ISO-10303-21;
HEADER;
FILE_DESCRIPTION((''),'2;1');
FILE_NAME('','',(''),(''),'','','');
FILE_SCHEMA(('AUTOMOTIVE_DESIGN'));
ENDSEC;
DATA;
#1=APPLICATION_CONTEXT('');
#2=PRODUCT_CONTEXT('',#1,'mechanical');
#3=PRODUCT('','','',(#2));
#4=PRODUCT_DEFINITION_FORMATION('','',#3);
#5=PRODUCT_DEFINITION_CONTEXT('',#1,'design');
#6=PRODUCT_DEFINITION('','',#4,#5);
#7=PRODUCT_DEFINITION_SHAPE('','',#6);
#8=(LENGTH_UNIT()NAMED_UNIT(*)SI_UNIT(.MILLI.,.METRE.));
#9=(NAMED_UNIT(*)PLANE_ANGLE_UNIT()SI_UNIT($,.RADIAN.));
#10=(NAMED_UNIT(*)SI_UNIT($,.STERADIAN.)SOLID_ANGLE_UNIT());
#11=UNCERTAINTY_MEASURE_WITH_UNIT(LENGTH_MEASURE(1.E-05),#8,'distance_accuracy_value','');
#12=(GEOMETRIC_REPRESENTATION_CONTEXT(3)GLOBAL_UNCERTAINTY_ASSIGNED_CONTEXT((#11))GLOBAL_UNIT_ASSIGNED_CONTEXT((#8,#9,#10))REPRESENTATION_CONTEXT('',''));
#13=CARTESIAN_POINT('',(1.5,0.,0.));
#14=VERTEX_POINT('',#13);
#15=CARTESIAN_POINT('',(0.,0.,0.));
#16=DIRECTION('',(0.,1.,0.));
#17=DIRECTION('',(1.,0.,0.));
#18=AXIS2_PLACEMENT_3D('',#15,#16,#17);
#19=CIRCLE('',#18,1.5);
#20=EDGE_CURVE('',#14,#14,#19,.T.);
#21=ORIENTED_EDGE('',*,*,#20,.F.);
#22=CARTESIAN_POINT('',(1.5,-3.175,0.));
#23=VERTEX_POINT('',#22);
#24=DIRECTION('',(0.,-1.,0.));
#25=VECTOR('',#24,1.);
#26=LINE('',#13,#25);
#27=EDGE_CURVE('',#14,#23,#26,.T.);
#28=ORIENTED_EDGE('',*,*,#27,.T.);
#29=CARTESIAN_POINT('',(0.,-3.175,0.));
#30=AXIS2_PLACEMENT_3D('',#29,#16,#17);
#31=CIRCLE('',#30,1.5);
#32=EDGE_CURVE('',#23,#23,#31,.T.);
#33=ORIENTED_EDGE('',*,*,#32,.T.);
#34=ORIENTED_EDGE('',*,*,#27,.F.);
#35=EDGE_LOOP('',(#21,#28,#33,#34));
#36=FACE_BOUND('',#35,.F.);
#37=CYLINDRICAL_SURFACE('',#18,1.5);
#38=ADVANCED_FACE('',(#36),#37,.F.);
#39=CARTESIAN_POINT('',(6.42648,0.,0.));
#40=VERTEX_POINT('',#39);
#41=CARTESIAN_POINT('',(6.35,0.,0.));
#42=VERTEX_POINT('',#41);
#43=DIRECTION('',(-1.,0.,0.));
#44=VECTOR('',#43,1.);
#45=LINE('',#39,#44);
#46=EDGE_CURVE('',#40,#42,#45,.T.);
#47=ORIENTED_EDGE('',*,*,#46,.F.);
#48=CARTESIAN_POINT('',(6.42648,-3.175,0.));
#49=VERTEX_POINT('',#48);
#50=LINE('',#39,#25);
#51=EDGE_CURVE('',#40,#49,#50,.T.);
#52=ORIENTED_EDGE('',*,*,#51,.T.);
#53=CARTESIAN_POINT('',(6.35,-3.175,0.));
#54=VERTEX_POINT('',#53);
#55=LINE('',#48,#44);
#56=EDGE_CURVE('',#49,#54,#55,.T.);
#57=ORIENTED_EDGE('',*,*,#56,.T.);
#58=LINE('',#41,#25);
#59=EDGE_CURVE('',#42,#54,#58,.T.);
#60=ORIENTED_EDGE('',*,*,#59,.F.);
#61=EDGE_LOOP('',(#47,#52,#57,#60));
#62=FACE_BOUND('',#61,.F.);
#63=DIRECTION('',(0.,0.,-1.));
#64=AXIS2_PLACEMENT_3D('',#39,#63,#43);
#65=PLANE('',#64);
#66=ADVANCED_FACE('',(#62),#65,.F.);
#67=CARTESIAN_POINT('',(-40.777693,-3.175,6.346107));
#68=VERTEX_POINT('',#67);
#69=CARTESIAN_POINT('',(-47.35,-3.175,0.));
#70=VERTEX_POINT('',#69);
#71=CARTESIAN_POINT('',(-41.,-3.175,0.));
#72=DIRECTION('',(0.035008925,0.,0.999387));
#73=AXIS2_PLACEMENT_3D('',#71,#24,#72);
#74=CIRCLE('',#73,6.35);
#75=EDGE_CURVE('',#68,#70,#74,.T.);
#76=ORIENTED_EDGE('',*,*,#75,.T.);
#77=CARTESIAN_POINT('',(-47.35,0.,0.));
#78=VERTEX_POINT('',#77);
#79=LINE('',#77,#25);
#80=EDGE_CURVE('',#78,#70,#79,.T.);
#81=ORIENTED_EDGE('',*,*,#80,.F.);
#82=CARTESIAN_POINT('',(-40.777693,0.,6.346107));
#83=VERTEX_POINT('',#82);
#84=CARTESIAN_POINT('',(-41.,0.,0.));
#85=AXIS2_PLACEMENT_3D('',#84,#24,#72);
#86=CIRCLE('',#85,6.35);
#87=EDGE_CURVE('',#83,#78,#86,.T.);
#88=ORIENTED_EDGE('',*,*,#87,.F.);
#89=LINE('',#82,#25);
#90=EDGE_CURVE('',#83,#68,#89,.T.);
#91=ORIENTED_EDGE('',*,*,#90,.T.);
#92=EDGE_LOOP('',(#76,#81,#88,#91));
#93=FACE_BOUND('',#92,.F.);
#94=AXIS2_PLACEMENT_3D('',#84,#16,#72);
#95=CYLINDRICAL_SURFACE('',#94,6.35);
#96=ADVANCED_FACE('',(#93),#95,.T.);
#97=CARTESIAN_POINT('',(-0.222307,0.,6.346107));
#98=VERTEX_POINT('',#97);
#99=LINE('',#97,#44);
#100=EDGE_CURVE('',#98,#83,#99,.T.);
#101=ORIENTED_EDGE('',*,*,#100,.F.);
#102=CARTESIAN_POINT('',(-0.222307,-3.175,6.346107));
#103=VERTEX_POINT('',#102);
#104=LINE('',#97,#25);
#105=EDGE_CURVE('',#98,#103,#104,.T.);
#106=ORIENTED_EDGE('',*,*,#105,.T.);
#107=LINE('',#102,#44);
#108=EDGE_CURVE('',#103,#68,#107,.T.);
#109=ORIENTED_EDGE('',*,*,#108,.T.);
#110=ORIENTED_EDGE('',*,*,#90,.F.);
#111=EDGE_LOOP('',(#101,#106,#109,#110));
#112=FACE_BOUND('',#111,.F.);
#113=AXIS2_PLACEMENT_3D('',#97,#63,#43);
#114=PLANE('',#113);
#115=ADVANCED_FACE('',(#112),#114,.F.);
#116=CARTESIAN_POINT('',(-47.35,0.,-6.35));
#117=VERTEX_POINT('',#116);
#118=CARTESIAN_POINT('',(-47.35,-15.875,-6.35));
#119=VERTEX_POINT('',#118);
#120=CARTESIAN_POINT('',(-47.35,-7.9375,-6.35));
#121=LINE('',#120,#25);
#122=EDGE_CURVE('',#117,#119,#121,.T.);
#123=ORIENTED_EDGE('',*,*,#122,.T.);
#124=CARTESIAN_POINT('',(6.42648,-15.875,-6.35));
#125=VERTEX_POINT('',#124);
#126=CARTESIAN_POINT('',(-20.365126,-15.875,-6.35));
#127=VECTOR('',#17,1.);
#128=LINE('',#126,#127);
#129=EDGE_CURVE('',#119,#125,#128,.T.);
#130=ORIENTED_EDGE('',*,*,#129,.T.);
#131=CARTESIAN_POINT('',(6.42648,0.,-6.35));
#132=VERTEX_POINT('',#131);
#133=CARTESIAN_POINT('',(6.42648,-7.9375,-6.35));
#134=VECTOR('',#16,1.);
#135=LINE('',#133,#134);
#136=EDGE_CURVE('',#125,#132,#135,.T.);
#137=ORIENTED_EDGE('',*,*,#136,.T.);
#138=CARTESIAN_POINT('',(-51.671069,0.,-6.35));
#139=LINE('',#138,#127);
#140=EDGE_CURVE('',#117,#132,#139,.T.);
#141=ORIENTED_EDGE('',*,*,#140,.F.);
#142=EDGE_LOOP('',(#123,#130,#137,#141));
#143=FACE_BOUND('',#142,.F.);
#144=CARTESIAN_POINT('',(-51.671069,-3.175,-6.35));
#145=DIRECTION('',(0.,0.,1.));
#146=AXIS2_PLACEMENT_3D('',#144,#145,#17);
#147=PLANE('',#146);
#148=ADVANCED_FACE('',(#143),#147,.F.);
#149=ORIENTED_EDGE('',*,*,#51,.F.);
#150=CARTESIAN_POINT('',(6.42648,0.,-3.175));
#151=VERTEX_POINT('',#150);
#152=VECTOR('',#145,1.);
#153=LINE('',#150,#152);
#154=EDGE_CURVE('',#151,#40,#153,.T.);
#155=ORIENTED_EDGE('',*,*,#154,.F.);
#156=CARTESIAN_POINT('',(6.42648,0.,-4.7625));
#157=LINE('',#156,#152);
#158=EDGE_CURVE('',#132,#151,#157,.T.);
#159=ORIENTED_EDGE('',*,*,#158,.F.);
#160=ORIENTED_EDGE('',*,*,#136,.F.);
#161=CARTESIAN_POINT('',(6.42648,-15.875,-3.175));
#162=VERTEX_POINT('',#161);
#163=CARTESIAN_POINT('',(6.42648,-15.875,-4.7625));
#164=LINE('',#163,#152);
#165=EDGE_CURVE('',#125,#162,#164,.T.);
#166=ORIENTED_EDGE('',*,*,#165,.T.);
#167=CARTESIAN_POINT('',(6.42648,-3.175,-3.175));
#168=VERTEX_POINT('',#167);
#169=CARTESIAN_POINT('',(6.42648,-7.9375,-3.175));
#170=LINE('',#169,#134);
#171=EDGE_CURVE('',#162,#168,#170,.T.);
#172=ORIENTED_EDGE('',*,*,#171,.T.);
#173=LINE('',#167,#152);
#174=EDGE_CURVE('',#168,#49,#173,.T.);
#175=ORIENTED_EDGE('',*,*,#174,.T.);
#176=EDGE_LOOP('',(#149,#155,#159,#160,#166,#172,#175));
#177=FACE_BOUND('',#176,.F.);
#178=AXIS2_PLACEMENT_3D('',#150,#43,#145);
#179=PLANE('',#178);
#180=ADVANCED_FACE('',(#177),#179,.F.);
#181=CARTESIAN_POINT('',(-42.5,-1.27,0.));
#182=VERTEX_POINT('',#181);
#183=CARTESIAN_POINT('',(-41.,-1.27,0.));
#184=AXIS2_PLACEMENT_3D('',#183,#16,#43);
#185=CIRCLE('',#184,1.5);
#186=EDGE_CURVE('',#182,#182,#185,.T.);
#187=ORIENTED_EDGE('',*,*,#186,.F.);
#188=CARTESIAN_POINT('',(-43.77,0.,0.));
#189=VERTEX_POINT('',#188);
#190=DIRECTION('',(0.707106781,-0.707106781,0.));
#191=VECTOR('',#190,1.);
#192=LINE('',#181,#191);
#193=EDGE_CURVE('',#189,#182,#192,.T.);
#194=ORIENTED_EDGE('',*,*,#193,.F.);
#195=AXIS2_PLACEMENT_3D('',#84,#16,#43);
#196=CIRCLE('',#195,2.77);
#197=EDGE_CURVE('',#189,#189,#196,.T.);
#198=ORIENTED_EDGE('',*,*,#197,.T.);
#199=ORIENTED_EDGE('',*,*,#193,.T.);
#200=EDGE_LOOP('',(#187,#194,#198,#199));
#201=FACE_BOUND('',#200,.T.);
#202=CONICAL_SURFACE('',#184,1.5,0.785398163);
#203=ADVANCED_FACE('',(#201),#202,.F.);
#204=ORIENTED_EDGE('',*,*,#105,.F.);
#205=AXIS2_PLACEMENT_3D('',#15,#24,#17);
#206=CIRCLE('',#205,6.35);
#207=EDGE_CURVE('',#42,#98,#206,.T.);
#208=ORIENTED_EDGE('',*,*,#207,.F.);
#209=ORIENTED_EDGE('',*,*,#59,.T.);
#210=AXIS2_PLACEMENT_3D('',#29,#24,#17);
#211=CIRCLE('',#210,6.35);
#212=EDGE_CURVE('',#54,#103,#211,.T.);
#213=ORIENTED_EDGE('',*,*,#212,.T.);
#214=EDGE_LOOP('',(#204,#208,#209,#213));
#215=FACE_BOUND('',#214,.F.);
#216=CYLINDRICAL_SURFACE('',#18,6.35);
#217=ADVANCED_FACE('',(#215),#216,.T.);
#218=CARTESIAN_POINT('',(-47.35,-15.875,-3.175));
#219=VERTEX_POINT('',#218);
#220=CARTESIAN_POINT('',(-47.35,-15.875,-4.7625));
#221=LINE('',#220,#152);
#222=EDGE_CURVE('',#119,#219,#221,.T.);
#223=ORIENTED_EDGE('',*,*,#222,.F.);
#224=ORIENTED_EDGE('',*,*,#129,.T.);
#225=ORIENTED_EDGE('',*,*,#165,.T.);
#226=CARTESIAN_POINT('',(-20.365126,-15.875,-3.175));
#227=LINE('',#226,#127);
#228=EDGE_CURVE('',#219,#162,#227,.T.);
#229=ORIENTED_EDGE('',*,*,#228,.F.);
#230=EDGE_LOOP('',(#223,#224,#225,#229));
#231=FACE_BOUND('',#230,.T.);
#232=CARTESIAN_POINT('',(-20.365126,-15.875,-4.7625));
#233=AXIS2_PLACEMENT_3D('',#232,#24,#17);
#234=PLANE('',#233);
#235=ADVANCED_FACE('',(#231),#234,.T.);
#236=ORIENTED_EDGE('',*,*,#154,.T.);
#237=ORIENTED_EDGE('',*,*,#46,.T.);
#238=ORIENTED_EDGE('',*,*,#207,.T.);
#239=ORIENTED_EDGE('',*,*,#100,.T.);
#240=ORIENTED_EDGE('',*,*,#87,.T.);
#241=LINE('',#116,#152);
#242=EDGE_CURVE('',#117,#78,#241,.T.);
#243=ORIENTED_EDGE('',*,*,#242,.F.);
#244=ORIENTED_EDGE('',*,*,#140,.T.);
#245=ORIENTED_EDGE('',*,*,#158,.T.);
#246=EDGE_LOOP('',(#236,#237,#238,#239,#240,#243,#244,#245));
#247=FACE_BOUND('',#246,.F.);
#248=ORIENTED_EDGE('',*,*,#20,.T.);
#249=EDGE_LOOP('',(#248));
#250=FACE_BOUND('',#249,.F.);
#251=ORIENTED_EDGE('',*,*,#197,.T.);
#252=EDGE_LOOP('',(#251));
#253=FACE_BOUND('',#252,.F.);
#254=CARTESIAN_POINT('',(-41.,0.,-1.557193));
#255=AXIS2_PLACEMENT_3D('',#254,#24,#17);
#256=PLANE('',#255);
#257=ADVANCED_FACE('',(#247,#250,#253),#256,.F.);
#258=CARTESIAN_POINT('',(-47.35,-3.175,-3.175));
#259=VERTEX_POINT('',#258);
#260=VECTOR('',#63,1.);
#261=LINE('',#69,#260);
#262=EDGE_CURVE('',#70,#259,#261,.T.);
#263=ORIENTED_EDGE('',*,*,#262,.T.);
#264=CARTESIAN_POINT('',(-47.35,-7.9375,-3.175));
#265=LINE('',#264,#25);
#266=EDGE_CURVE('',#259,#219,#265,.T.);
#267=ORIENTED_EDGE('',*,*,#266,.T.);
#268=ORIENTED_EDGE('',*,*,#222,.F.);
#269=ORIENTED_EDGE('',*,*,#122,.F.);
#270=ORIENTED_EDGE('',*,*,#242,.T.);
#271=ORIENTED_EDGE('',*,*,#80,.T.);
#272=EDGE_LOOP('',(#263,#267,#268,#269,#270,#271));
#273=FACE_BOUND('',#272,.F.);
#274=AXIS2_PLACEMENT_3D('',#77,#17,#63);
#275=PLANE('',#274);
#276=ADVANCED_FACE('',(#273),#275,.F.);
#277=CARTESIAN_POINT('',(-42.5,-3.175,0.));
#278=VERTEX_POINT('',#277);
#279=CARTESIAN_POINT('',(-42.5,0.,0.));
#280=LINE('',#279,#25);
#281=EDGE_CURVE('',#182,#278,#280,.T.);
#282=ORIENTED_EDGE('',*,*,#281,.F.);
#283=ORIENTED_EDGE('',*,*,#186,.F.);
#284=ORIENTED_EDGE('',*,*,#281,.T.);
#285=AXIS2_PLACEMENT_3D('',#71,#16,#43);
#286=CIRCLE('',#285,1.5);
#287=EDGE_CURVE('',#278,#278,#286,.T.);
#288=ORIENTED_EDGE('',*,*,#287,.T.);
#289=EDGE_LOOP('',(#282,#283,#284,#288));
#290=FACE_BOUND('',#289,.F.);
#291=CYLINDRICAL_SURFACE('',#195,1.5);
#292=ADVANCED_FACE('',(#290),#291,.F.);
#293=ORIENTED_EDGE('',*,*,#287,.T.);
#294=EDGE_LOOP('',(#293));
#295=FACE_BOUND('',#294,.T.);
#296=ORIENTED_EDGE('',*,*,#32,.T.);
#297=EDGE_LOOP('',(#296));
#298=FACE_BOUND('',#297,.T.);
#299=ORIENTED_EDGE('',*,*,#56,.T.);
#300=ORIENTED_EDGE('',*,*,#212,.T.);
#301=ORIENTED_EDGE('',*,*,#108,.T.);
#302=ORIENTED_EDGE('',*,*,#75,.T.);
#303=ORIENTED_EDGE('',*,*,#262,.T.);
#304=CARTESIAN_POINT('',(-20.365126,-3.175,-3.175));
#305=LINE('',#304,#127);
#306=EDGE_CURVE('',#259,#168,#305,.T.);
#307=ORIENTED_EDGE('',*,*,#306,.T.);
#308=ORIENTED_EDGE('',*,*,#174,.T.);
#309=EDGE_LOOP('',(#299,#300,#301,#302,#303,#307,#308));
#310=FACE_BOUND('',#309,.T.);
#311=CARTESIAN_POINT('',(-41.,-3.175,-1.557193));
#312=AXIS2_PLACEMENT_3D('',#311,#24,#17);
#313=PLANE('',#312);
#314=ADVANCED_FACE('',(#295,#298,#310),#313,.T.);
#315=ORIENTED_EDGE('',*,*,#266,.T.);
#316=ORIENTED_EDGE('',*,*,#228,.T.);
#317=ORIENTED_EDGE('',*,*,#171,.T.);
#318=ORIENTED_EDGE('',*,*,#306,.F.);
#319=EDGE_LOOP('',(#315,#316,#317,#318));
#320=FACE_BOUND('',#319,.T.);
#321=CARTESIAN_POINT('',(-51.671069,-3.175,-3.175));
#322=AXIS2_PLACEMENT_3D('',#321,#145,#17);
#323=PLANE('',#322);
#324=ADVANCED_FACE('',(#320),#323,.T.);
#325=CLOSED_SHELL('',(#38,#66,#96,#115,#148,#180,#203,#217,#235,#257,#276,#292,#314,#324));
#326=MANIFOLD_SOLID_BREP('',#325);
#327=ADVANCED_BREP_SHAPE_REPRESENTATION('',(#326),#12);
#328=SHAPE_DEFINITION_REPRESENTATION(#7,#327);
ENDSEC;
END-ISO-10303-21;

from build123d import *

# Parameters (mm, degrees)
F1_DEPTH = 3.175
F2_W     = 62.6118863001
F2_H     = 3.175
F3_DEPTH = 12.7
F4_SIZE  = 1.27
F5_W     = 15.875
F5_H     = 3.175
F6_DEPTH = 4.5143370517
F7_W     = 15.875
F7_H     = 3.175
F8_DEPTH = 4.3210691154


with BuildPart() as f1:
    # F0 (on Front) → F1 (new body)
    with BuildSketch(Plane.XZ):
        with BuildLine():
            ThreePointArc((-35.500738686, -3.175), (-34.8663710031, -1.6435009364), (-34.65, 0))
            Line((-34.65, 0), (-39.5, 0))
            ThreePointArc((-39.5, 0), (-41, -1.5), (-42.5, 0))
            Line((-42.5, 0), (-47.35, 0))
            ThreePointArc((-47.35, 0), (-47.1336289969, -1.6435009364), (-46.499261314, -3.175))
            Line((-46.499261314, -3.175), (-35.500738686, -3.175))
        make_face()
        with BuildLine():
            ThreePointArc((-40.777693324, 6.346107448), (-36.4319507778, 4.4108305685), (-34.65, 0))
            Line((-34.65, 0), (-6.35, 0))
            ThreePointArc((-6.35, 0), (-4.5680492222, 4.4108305685), (-0.222306676, 6.346107448))
            Line((-0.222306676, 6.346107448), (-40.777693324, 6.346107448))
        make_face()
        with BuildLine():
            Line((-39.5, 0), (-34.65, 0))
            ThreePointArc((-34.65, 0), (-36.4319507778, 4.4108305685), (-40.777693324, 6.346107448))
            ThreePointArc((-40.777693324, 6.346107448), (-45.4108305685, 4.5680492222), (-47.35, 0))
            Line((-47.35, 0), (-42.5, 0))
            ThreePointArc((-42.5, 0), (-41, 1.5), (-39.5, 0))
        make_face()
        with BuildLine():
            ThreePointArc((-46.499261314, -3.175), (-47.1336289969, -1.6435009364), (-47.35, 0))
            Line((-47.35, 0), (-47.35, -3.175))
            Line((-47.35, -3.175), (-46.499261314, -3.175))
        make_face()
        with BuildLine():
            ThreePointArc((-0.222306676, 6.346107448), (-4.5680492222, 4.4108305685), (-6.35, 0))
            Line((-6.35, 0), (-1.5, 0))
            ThreePointArc((-1.5, 0), (0, 1.5), (1.5, 0))
            Line((1.5, 0), (6.35, 0))
            ThreePointArc((6.35, 0), (4.4108305685, 4.5680492222), (-0.222306676, 6.346107448))
        make_face()
        with BuildLine():
            Line((-1.5, 0), (-6.35, 0))
            ThreePointArc((-6.35, 0), (-6.1336289969, -1.6435009364), (-5.499261314, -3.175))
            Line((-5.499261314, -3.175), (5.499261314, -3.175))
            ThreePointArc((5.499261314, -3.175), (6.1336289969, -1.6435009364), (6.35, 0))
            Line((6.35, 0), (1.5, 0))
            ThreePointArc((1.5, 0), (0, -1.5), (-1.5, 0))
        make_face()
        with BuildLine():
            Line((-51.6710691154, -6.35), (-41, -6.35))
            ThreePointArc((-41, -6.35), (-44.175, -5.499261314), (-46.499261314, -3.175))
            Line((-46.499261314, -3.175), (-47.35, -3.175))
            Line((-47.35, -3.175), (-51.6710691154, -3.175))
            Line((-51.6710691154, -3.175), (-51.6710691154, -6.35))
        make_face()
        with BuildLine():
            Line((-5.499261314, -3.175), (-35.500738686, -3.175))
            ThreePointArc((-35.500738686, -3.175), (-37.825, -5.499261314), (-41, -6.35))
            Line((-41, -6.35), (3.51e-08, -6.35))
            ThreePointArc((3.51e-08, -6.35), (-3.1749999848, -5.4992613228), (-5.499261314, -3.175))
        make_face()
        with BuildLine():
            ThreePointArc((5.499261314, -3.175), (3.1750000152, -5.4992613052), (3.51e-08, -6.35))
            Line((3.51e-08, -6.35), (10.9408171847, -6.35))
            Line((10.9408171847, -6.35), (10.9408171847, -3.175))
            Line((10.9408171847, -3.175), (6.4264801331, -3.175))
            Line((6.4264801331, -3.175), (5.499261314, -3.175))
        make_face()
        with BuildLine():
            Line((-51.6710691154, -6.35), (-41, -6.35))
            ThreePointArc((-41, -6.35), (-44.175, -5.499261314), (-46.499261314, -3.175))
            Line((-46.499261314, -3.175), (-47.35, -3.175))
            Line((-47.35, -3.175), (-51.6710691154, -3.175))
            Line((-51.6710691154, -3.175), (-51.6710691154, -6.35))
        make_face()
        with BuildLine():
            ThreePointArc((-41, -6.35), (-37.825, -5.499261314), (-35.500738686, -3.175))
            Line((-35.500738686, -3.175), (-46.499261314, -3.175))
            ThreePointArc((-46.499261314, -3.175), (-44.175, -5.499261314), (-41, -6.35))
        make_face()
        with BuildLine():
            Line((-6.35, 0), (-34.65, 0))
            ThreePointArc((-34.65, 0), (-34.8663710031, -1.6435009364), (-35.500738686, -3.175))
            Line((-35.500738686, -3.175), (-5.499261314, -3.175))
            ThreePointArc((-5.499261314, -3.175), (-6.1336289969, -1.6435009364), (-6.35, 0))
        make_face()
        with BuildLine():
            Line((5.499261314, -3.175), (-5.499261314, -3.175))
            ThreePointArc((-5.499261314, -3.175), (-3.1749999848, -5.4992613228), (3.51e-08, -6.35))
            ThreePointArc((3.51e-08, -6.35), (3.1750000152, -5.4992613052), (5.499261314, -3.175))
        make_face()
        with BuildLine():
            ThreePointArc((5.499261314, -3.175), (3.1750000152, -5.4992613052), (3.51e-08, -6.35))
            Line((3.51e-08, -6.35), (10.9408171847, -6.35))
            Line((10.9408171847, -6.35), (10.9408171847, -3.175))
            Line((10.9408171847, -3.175), (6.4264801331, -3.175))
            Line((6.4264801331, -3.175), (5.499261314, -3.175))
        make_face()
        with BuildLine():
            Line((6.4264801331, 0), (6.35, 0))
            ThreePointArc((6.35, 0), (6.1336289969, -1.6435009364), (5.499261314, -3.175))
            Line((5.499261314, -3.175), (6.4264801331, -3.175))
            Line((6.4264801331, -3.175), (6.4264801331, 0))
        make_face()
    extrude(amount=F1_DEPTH)

    # F2 (on face) → F3 (join)
    with BuildSketch(Plane.XZ.offset(3.175)):
        with Locations((-20.3651259653, -4.7625)):
            Rectangle(F2_W, F2_H)
    extrude(amount=F3_DEPTH)

    # F4
    f4_edges = [f1.edges().sort_by_distance(p)[0] for p in [
        (-39.5, 0, 0),
    ]]
    chamfer(f4_edges, length=F4_SIZE)

    # F5 (on face) → F6 (cut, through all)
    with BuildSketch(Plane.YZ.offset(10.9408171847)):
        with Locations((-7.9375, -4.7625)):
            Rectangle(F5_W, F5_H)
    extrude(amount=-F6_DEPTH, mode=Mode.SUBTRACT)

    # F7 (on face) → F8 (cut, through all)
    with BuildSketch(Plane(origin=(-51.6710691154, 0, 0), x_dir=(0, -1, 0), z_dir=(-1, 0, 0))):
        with Locations((7.9375, -4.7625)):
            Rectangle(F7_W, F7_H)
    extrude(amount=-F8_DEPTH, mode=Mode.SUBTRACT)


solid = f1.part
